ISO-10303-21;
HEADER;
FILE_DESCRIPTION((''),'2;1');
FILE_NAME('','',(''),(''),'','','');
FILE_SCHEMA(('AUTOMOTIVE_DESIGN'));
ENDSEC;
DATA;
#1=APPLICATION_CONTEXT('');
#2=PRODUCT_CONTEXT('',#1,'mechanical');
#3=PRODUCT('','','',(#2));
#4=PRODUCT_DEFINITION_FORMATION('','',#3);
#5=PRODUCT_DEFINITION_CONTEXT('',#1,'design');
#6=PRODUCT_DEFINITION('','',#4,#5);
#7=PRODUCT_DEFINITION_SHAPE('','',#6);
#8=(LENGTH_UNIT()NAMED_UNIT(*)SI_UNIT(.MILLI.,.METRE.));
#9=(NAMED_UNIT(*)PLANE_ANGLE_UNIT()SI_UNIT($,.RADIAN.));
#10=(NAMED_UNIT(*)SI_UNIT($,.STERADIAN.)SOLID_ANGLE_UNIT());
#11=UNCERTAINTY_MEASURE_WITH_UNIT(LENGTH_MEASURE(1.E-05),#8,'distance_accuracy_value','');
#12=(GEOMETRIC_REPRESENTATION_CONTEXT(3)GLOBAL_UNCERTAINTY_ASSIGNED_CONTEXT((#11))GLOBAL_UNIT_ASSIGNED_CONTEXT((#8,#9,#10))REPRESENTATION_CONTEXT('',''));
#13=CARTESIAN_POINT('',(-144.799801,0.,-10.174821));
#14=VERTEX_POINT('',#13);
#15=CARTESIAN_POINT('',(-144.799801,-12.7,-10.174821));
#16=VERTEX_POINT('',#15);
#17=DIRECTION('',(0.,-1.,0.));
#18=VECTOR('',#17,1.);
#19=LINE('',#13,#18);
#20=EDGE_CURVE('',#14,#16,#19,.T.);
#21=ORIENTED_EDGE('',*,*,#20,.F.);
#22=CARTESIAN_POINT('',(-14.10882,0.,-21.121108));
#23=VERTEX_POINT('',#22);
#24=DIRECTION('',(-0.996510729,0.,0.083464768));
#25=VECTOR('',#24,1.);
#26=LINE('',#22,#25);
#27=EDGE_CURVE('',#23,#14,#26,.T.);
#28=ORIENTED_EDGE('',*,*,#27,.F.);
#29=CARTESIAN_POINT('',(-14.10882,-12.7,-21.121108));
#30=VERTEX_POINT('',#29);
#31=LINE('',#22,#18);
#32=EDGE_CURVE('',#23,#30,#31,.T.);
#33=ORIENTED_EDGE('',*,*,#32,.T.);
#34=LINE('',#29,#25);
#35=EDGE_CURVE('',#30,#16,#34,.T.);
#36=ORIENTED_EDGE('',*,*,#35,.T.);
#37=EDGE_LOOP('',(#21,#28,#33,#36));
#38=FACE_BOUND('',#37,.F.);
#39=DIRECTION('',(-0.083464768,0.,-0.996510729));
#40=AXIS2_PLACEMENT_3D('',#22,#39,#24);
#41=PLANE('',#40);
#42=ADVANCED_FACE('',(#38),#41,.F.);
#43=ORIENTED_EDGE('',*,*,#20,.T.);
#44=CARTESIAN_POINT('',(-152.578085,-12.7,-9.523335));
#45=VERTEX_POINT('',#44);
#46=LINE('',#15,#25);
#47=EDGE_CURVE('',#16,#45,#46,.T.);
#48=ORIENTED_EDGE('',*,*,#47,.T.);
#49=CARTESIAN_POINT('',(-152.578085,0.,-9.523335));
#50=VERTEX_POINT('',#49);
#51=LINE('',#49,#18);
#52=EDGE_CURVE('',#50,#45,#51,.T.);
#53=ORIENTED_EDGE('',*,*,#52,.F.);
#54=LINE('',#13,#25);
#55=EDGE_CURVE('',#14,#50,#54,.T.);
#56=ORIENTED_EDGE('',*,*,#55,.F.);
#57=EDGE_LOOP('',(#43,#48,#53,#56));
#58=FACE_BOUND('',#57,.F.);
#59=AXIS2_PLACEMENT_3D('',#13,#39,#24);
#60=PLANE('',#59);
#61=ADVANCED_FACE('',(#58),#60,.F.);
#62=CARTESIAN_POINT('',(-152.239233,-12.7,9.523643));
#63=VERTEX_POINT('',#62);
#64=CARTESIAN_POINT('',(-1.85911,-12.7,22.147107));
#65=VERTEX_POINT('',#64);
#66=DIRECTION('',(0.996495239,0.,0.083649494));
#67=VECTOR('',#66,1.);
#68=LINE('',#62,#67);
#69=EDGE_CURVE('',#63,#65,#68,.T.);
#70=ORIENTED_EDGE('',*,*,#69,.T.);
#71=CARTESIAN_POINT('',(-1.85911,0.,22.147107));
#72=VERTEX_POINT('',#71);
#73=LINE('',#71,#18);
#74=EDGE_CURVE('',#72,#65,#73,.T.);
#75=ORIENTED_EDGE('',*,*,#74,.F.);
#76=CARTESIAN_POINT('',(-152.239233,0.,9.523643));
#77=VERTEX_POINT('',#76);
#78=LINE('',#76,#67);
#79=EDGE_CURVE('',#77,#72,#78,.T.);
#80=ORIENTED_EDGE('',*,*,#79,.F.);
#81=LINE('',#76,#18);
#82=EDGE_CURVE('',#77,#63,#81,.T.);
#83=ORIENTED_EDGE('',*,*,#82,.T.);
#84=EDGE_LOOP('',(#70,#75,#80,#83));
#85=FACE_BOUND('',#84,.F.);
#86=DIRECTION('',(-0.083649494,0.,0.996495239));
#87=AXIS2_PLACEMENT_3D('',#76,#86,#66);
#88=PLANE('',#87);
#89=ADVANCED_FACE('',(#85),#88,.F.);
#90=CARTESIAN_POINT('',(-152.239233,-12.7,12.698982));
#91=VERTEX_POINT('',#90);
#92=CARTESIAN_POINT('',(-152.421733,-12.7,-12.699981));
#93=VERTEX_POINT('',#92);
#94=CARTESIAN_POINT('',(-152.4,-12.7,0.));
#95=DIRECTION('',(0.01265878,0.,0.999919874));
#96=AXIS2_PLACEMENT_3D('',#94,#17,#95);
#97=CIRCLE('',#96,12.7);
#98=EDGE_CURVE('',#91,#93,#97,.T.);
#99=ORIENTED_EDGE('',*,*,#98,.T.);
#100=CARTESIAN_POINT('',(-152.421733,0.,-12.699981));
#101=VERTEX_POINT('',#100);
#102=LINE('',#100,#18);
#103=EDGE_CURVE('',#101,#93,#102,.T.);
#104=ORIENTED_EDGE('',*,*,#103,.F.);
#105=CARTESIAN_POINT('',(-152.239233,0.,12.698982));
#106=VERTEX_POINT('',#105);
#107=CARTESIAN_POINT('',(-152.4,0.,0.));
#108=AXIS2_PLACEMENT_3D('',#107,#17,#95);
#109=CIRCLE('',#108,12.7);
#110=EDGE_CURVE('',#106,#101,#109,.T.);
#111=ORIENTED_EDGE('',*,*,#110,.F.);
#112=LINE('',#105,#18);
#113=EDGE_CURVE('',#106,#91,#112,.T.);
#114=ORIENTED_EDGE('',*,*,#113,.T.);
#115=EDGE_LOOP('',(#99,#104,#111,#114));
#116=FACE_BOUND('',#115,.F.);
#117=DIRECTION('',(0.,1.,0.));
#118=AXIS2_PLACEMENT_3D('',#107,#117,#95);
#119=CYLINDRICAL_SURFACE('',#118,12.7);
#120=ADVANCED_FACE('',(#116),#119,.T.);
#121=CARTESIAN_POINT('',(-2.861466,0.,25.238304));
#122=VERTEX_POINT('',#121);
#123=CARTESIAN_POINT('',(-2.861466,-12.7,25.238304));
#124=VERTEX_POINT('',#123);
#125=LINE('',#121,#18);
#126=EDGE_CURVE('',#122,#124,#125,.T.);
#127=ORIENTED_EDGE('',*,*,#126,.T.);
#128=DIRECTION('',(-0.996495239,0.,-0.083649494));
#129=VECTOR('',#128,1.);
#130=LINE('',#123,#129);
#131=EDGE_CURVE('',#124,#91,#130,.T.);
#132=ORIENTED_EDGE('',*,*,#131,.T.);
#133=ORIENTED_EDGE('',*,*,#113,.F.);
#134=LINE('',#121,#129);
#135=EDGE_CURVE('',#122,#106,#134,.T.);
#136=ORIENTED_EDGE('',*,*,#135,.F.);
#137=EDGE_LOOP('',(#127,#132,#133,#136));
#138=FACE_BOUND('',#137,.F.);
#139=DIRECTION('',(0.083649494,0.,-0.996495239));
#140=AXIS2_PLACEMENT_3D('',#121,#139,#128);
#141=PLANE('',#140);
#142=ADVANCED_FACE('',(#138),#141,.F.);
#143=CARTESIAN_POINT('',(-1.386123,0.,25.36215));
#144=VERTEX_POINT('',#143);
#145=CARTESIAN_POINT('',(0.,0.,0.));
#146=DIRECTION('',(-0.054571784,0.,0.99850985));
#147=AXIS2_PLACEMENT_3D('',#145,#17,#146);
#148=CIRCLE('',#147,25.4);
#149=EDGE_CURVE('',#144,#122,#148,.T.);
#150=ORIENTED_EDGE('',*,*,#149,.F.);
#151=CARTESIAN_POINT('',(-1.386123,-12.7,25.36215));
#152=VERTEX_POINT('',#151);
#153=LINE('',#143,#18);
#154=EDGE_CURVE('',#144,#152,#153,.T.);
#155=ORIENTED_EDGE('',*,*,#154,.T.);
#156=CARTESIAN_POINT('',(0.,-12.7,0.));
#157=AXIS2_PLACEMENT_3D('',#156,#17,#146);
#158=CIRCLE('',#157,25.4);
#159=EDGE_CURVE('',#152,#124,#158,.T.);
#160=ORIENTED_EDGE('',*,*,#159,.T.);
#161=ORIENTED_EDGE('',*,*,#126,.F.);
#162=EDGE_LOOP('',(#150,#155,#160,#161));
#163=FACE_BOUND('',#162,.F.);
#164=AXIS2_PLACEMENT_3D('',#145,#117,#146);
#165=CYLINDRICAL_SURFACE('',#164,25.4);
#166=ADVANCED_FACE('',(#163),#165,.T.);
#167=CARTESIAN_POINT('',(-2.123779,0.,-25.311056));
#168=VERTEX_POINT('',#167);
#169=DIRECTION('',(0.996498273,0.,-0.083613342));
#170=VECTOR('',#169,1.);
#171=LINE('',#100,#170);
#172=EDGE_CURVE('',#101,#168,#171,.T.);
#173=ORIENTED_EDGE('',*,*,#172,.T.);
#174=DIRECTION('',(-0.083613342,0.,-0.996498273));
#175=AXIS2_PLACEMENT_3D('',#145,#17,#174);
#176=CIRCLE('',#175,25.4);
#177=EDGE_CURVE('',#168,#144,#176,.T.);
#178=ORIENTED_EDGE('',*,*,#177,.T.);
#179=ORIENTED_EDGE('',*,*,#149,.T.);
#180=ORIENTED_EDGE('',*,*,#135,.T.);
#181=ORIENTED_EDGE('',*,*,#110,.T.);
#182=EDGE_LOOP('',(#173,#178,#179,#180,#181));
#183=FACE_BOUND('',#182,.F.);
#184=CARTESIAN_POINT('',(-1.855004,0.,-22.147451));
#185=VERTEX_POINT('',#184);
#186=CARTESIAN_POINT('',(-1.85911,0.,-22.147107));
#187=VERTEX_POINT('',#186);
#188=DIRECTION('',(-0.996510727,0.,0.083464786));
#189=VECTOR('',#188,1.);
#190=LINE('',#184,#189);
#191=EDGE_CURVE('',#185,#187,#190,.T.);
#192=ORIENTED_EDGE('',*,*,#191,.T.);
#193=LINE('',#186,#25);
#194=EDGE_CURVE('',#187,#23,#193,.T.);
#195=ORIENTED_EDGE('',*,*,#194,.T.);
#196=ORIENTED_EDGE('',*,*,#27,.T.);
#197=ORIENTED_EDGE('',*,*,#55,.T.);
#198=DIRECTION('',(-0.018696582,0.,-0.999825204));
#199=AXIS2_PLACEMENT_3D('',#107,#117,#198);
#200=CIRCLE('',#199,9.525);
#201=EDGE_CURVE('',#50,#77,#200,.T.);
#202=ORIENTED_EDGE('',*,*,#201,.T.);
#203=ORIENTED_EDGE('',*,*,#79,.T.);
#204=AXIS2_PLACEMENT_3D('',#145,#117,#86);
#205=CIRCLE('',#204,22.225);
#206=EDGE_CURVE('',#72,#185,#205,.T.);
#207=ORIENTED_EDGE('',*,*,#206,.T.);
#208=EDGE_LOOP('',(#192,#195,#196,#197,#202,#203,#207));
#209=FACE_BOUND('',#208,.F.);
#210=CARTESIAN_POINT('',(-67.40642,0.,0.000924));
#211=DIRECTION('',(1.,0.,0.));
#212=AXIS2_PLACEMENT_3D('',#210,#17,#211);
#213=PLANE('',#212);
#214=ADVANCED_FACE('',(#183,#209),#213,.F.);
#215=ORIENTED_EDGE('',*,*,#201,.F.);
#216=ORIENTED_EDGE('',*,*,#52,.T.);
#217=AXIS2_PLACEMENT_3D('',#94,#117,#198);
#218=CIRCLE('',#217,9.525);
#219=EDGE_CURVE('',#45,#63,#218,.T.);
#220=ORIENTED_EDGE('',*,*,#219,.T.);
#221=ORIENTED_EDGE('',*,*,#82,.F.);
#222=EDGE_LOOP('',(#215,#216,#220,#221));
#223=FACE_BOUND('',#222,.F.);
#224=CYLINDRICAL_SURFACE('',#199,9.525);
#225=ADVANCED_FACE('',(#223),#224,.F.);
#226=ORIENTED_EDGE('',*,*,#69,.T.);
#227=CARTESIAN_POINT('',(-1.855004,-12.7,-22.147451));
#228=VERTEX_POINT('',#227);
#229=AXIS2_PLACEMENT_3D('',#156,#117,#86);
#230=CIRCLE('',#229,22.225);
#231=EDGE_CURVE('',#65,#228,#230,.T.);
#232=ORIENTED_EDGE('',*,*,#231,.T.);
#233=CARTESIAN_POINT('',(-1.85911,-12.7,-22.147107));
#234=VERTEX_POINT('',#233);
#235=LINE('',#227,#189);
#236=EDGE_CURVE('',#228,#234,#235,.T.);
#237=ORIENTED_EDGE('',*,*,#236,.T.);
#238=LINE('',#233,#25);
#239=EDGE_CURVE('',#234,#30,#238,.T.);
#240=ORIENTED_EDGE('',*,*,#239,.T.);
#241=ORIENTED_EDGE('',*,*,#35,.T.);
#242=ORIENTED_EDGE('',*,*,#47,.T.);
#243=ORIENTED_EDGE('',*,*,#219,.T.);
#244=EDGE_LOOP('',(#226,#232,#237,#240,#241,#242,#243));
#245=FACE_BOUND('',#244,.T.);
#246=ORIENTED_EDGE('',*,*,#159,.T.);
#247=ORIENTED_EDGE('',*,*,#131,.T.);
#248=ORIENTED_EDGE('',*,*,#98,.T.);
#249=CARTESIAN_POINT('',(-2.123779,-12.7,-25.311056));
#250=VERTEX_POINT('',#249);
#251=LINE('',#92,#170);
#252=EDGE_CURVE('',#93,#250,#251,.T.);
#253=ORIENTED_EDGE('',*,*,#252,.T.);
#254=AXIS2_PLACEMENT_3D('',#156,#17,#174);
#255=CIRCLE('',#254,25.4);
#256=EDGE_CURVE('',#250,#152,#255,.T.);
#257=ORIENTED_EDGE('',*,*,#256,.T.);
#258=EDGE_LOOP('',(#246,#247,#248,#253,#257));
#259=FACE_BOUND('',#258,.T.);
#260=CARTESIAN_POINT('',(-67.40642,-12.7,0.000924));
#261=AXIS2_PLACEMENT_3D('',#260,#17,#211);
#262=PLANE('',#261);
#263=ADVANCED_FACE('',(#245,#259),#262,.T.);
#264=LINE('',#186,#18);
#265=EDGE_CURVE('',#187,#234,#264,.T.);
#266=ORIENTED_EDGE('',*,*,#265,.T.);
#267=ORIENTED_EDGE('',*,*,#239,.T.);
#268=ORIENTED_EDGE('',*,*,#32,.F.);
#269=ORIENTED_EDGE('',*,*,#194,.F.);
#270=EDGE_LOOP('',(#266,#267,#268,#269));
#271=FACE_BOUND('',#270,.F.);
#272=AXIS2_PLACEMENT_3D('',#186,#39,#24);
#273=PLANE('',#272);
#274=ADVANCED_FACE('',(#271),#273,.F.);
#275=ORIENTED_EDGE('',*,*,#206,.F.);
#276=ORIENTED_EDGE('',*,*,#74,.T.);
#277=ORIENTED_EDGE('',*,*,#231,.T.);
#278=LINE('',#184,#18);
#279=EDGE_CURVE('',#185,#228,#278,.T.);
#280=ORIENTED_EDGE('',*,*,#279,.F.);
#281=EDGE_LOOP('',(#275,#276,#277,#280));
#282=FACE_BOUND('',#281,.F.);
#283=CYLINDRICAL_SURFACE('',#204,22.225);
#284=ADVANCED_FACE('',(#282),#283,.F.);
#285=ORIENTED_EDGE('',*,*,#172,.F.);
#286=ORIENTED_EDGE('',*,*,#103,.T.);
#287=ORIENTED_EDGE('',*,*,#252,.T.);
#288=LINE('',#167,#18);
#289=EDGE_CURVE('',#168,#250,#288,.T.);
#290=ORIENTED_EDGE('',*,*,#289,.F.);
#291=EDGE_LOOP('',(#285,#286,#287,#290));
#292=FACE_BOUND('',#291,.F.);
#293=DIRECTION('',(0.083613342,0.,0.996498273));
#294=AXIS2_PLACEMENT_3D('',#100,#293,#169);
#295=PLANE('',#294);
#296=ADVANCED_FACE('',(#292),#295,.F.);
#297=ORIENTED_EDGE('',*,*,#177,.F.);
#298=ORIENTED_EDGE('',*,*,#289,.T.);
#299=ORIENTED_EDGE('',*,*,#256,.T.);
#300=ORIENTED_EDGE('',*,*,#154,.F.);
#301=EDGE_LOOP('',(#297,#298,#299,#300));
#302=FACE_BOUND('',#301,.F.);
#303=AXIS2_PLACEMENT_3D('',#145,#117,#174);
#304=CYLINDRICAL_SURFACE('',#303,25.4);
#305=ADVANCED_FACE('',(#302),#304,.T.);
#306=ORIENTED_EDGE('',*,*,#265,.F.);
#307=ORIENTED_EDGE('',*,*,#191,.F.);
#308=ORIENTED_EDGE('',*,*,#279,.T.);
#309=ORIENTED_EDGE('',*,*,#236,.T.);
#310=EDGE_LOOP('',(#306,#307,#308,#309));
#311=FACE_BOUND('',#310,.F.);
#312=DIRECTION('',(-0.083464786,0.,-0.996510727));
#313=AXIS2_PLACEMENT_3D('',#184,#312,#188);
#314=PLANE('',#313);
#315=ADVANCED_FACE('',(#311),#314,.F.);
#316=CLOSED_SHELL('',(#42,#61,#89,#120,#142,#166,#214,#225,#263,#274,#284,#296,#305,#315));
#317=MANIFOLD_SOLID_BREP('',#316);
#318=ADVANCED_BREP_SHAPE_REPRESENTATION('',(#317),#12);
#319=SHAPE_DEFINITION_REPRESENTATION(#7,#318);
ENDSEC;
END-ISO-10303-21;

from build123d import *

# Parameters (mm, degrees)
F1_DEPTH = 12.7


with BuildPart() as f1:
    # F0 (on Front) → F1 (new body)
    with BuildSketch(Plane.XZ):
        with BuildLine():
            Line((-2.8614659345, 25.2383044737), (-152.2392334973, 12.6989824054))
            ThreePointArc((-152.2392334973, 12.6989824054), (-165.0996721713, 0.0912509774), (-152.421732718, -12.6999814051))
            Line((-152.421732718, -12.6999814051), (-2.1237788852, -25.3110561464))
            ThreePointArc((-2.1237788852, -25.3110561464), (25.3973091766, -0.3697114954), (-1.3861233029, 25.3621501886))
            Line((-1.3861233029, 25.3621501886), (-2.8614659345, 25.2383044737))
        make_face()
        with BuildLine():
            ThreePointArc((-1.8591100152, 22.1471066948), (22.2249999045, 0.0020599789), (-1.8550044649, -22.1474509467))
            Line((-1.8550044649, -22.1474509467), (-1.8591100471, -22.1471070753))
            Line((-1.8591100471, -22.1471070753), (-14.1088199902, -21.1211078896))
            Line((-14.1088199902, -21.1211078896), (-144.7998013534, -10.1748209091))
            Line((-144.7998013534, -10.1748209091), (-152.5780849398, -9.5233350647))
            ThreePointArc((-152.5780849398, -9.5233350647), (-161.9234930515, 0.1694257913), (-152.2392334973, 9.5236431649))
            Line((-152.2392334973, 9.5236431649), (-1.8591100152, 22.1471066948))
        make_face(mode=Mode.SUBTRACT)
        with BuildLine():
            ThreePointArc((-1.3861233029, 25.3621501886), (-2.1246971603, 25.3109790798), (-2.8614659345, 25.2383044737))
            Line((-2.8614659345, 25.2383044737), (-1.3861233029, 25.3621501886))
        make_face()
    extrude(amount=F1_DEPTH)


solid = f1.part
